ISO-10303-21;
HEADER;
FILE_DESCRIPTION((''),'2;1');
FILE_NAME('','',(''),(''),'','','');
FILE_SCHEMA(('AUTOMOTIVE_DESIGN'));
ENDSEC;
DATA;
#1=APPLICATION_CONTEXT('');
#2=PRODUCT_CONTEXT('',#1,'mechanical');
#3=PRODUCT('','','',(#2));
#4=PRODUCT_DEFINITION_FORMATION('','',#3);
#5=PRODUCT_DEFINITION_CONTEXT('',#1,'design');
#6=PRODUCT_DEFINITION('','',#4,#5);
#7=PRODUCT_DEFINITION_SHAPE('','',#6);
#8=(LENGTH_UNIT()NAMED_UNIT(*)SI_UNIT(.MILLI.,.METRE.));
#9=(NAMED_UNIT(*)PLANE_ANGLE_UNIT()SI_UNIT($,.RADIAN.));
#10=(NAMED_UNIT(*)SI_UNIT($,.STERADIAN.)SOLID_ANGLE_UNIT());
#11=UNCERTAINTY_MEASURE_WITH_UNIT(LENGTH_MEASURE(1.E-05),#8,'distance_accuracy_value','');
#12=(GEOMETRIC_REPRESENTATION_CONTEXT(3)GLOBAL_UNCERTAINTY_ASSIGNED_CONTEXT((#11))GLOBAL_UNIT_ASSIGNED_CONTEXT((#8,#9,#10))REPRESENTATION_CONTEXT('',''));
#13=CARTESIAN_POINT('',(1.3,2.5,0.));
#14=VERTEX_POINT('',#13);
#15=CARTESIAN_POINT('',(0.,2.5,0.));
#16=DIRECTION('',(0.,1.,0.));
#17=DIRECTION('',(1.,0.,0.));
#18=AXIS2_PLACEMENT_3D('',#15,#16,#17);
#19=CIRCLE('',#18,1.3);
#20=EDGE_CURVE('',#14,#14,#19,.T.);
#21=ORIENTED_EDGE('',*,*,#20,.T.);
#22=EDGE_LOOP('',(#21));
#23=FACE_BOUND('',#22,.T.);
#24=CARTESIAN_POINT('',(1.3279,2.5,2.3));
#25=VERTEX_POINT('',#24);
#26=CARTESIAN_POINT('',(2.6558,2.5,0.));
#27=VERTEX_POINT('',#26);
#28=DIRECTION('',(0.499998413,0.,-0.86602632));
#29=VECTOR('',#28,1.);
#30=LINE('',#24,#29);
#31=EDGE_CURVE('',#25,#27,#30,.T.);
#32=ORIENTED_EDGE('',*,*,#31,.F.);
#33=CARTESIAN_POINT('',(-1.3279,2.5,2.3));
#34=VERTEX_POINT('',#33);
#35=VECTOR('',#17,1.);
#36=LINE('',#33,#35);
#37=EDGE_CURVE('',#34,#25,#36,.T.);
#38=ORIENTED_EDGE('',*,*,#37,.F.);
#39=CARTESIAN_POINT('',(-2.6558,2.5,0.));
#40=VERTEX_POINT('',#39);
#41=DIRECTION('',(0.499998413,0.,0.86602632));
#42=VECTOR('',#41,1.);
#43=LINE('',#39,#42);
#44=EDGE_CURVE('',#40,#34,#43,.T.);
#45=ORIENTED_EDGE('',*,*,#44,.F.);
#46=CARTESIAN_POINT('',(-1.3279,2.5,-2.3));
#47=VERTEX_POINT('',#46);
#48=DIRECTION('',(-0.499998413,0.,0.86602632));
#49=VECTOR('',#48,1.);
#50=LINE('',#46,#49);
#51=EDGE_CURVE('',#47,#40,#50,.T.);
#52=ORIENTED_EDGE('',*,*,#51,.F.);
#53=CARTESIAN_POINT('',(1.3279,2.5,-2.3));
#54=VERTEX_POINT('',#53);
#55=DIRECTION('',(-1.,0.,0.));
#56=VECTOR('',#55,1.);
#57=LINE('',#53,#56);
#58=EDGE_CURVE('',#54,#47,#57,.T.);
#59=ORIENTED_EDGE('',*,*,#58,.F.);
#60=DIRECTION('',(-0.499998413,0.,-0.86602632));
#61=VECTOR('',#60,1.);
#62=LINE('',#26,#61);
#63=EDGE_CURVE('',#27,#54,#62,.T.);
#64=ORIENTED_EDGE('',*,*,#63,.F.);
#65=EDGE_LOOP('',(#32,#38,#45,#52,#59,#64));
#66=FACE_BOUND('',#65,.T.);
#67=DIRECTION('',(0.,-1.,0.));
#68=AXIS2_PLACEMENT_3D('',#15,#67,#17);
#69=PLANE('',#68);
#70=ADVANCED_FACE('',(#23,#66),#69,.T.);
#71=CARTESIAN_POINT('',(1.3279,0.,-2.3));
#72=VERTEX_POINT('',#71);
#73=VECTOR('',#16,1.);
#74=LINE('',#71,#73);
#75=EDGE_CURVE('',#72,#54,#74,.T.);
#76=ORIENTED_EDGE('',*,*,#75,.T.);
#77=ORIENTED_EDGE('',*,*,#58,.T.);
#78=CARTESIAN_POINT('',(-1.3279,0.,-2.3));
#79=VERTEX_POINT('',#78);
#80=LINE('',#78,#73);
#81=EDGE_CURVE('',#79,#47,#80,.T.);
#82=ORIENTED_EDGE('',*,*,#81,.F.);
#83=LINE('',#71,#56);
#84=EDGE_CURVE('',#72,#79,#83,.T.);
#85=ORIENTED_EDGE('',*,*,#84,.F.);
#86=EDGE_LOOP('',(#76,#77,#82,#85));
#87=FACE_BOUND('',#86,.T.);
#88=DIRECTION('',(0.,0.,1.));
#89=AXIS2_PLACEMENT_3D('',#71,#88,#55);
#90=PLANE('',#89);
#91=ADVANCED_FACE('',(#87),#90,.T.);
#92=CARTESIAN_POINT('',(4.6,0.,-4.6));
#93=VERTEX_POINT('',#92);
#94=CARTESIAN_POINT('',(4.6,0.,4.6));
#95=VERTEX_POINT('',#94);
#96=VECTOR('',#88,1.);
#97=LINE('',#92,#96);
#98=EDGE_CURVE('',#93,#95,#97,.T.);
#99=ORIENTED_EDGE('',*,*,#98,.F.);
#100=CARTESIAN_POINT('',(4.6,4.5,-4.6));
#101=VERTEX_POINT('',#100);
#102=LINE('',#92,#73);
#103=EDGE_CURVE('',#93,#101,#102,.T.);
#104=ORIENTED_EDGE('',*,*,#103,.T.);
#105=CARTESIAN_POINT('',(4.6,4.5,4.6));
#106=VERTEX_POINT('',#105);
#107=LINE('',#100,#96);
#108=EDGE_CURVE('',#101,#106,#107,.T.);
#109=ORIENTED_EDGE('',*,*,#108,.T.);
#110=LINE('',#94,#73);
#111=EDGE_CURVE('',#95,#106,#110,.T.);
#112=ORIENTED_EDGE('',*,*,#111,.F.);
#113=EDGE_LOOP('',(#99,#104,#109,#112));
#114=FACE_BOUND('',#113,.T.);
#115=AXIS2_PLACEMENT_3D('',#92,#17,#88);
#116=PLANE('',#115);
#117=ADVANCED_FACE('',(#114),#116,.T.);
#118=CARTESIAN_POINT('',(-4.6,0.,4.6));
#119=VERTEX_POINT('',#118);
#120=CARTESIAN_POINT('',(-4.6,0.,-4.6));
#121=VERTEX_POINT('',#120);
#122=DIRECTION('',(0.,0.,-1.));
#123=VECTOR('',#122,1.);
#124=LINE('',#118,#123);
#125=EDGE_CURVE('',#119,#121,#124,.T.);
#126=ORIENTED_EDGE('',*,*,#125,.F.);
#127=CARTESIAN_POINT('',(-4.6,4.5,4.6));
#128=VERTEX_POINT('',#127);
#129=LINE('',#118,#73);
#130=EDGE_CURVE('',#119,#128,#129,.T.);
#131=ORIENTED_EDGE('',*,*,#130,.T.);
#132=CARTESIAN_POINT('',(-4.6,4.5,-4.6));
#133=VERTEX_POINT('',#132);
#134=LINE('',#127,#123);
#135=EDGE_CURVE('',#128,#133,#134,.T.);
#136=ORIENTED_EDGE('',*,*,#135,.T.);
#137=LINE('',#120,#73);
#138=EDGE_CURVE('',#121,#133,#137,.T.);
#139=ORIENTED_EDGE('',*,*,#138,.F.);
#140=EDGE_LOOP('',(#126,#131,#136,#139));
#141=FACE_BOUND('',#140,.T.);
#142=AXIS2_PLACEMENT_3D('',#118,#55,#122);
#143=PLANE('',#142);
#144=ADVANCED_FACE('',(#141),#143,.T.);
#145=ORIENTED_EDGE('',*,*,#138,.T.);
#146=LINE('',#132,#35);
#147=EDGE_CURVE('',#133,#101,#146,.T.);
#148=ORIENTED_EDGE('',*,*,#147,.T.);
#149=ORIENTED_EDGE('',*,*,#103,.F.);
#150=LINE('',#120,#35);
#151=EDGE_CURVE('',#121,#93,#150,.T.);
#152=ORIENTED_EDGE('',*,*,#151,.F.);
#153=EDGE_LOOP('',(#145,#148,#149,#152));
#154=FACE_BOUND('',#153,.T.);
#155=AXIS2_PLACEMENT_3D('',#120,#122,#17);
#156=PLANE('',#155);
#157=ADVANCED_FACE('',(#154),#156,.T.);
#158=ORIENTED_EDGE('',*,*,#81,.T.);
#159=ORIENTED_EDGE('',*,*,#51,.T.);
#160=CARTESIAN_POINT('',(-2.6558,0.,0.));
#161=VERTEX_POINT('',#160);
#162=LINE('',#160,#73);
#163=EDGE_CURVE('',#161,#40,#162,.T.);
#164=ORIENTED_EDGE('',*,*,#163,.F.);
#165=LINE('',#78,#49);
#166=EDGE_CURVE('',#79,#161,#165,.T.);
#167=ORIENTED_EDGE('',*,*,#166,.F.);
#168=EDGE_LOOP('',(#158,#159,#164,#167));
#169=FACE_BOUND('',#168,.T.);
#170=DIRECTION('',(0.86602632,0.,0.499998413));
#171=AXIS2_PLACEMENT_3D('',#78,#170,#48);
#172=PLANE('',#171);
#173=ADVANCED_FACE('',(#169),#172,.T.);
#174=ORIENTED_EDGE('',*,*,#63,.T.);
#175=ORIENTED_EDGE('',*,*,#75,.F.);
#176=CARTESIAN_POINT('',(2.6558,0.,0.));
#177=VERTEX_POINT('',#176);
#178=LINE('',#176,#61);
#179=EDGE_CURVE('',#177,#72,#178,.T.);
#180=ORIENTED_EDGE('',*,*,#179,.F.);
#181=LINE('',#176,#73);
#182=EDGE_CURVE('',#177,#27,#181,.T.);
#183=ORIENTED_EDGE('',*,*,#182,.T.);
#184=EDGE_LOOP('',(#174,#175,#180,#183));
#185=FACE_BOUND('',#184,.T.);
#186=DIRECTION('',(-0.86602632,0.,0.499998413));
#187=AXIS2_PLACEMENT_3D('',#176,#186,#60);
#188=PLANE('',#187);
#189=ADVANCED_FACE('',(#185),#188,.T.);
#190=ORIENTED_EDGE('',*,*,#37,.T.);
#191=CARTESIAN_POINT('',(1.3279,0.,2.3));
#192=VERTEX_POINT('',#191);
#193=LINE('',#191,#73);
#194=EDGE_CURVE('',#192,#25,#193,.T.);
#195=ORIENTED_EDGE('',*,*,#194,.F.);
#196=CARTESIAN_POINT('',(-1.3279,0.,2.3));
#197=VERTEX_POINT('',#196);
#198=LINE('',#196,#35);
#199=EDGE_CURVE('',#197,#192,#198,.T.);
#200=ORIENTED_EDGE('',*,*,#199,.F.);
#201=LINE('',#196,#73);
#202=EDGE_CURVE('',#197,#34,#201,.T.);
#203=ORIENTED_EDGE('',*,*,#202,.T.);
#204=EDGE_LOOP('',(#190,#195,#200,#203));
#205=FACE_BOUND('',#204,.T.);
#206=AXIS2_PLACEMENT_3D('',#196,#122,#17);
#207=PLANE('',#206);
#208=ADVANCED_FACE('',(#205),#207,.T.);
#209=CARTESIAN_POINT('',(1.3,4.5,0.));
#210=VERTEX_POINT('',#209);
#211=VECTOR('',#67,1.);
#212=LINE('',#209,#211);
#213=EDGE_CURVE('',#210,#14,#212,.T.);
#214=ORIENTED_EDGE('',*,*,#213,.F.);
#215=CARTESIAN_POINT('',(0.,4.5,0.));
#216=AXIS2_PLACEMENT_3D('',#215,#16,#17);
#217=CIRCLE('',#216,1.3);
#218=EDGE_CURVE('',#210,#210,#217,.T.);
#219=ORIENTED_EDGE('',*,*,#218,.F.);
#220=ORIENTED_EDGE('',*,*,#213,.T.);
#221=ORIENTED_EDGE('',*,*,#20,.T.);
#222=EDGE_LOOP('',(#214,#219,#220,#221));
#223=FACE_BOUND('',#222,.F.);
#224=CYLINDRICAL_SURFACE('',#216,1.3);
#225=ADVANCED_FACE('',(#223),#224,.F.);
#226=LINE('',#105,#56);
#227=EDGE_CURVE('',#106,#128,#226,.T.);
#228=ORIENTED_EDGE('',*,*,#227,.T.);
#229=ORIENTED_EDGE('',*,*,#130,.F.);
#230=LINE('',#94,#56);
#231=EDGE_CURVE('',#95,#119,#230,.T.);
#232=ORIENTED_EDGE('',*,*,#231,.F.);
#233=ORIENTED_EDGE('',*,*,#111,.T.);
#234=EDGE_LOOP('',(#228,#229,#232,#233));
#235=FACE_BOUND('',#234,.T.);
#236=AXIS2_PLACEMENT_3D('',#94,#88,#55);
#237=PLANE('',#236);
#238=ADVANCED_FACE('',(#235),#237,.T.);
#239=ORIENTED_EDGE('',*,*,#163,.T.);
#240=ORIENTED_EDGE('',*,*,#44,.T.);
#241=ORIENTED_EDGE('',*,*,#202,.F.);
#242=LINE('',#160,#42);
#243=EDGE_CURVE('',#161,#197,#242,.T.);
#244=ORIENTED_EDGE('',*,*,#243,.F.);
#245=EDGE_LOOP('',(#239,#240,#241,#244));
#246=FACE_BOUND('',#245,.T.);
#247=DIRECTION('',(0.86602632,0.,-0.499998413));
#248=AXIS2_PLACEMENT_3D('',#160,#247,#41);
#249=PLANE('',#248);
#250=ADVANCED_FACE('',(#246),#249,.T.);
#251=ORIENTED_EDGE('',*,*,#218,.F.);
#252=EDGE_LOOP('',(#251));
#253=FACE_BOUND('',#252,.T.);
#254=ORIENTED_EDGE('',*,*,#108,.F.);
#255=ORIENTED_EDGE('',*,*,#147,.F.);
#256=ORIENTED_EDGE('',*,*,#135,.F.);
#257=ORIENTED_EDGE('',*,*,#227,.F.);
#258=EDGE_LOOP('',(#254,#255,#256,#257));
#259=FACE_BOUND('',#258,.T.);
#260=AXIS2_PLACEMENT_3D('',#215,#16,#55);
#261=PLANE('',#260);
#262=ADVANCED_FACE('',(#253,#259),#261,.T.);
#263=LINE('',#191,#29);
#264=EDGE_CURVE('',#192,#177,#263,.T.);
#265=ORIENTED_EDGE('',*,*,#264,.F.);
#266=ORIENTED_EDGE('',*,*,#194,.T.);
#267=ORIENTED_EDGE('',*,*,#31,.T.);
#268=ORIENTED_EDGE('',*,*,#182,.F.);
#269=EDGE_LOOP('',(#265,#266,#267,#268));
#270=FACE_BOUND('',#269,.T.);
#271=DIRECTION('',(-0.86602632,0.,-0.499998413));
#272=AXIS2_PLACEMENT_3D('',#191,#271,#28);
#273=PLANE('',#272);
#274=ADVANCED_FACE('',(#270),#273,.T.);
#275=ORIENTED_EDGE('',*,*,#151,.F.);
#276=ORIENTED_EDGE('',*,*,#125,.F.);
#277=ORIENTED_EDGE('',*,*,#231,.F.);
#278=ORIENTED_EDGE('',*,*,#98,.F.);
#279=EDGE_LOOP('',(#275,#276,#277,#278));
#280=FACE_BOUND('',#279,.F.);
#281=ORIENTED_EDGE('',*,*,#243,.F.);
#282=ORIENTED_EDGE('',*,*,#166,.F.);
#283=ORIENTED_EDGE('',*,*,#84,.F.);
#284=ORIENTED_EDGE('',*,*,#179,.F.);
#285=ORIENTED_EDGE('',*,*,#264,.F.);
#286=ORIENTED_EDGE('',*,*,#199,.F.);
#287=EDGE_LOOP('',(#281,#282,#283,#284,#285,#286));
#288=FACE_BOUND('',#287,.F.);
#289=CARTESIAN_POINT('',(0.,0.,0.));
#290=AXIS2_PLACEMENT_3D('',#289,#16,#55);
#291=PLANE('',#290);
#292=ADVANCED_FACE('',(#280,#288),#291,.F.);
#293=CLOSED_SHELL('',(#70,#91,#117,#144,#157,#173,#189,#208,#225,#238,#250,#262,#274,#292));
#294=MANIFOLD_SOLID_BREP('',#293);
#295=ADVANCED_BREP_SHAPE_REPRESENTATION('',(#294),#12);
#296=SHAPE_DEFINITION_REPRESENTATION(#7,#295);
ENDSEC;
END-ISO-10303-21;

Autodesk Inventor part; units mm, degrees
ref_plane "YZ Plane" through (0, 0, 0) normal (1, 0, 0) x (0, 1, 0)
ref_plane "XZ Plane" through (0, 0, 0) normal (0, 1, 0) x (-1, 0, 0)
ref_plane "XY Plane" through (0, 0, 0) normal (0, 0, 1) x (1, 0, 0)
sketch "Sketch1" plane through (0, 0, 0) normal (0, 1, 0) x (-1, 0, 0)
  line L0 (-4.6, 4.6) -> (4.6, 4.6)
  line L1 (4.6, 4.6) -> (4.6, -4.6)
  line L2 (4.6, -4.6) -> (-4.6, -4.6)
  line L3 (-4.6, -4.6) -> (-4.6, 4.6)
  point P0 (0, 0)
  dimension "d0" = 9.2
  dimension "d1" = 9.2
  dimension "d2" = 4.6
  dimension "d3" = 4.6
extrude "Extrusion1" add sketch "Sketch1" along normal blind 4.5
sketch "Sketch3" plane through (0, 0, 0) normal (0, -1, 0) x (1, 0, 0)
  line L0 (-4.6, -4.6) -> (4.6, -4.6) projected
  line L1 (-4.6, 4.6) -> (4.6, -4.6) construction
  line L2 (4.6, 4.6) -> (-4.6, -4.6) construction
  line L3 (1.3279, 2.3) -> (2.6558, 0)
  line L4 (2.6558, 0) -> (1.3279, -2.3)
  line L5 (1.3279, -2.3) -> (-1.3279, -2.3)
  line L6 (-1.3279, -2.3) -> (-2.6558, 0)
  line L7 (-2.6558, 0) -> (-1.3279, 2.3)
  line L8 (-1.3279, 2.3) -> (1.3279, 2.3)
  point P0 (0, 0)
  point P1 (0, 0)
  dimension "d7" = 4.6
extrude "Extrusion2" cut sketch "Sketch3" against normal blind 2.5
sketch "Sketch4" plane through (0, 4.5, 0) normal (0, 1, 0) x (1, 0, 0)
  circle A0 centre (0, 0) radius 1.3
  dimension "d10" = 2.6
extrude "Extrusion3" cut sketch "Sketch4" against normal blind 2
equation "\"d0\" = 2 * NutTrace"
equation "\"d1\" = d0"
equation "\"d2\" = 0.5 * d1"
equation "\"d3\" = 0.5 * d0"
equation "\"d4\" = ClassicThickness"
equation "\"d7\" = NutTrace"
equation "\"d8\" = NutThickness"
equation "\"d10\" = ServoScrewDiameterRequired"
equation "\"d11\" = MinimalThickness"
equation "\"NutTrace\" = 4.6"
equation "\"ClassicThickness\" = 4.5"
equation "\"NutThickness\" = 2.5"
equation "\"ServoScrewDiameterRequired\" = 2.6"
equation "\"MinimalThickness\" = 2"
properties part number "ScrewHeadTrace"
